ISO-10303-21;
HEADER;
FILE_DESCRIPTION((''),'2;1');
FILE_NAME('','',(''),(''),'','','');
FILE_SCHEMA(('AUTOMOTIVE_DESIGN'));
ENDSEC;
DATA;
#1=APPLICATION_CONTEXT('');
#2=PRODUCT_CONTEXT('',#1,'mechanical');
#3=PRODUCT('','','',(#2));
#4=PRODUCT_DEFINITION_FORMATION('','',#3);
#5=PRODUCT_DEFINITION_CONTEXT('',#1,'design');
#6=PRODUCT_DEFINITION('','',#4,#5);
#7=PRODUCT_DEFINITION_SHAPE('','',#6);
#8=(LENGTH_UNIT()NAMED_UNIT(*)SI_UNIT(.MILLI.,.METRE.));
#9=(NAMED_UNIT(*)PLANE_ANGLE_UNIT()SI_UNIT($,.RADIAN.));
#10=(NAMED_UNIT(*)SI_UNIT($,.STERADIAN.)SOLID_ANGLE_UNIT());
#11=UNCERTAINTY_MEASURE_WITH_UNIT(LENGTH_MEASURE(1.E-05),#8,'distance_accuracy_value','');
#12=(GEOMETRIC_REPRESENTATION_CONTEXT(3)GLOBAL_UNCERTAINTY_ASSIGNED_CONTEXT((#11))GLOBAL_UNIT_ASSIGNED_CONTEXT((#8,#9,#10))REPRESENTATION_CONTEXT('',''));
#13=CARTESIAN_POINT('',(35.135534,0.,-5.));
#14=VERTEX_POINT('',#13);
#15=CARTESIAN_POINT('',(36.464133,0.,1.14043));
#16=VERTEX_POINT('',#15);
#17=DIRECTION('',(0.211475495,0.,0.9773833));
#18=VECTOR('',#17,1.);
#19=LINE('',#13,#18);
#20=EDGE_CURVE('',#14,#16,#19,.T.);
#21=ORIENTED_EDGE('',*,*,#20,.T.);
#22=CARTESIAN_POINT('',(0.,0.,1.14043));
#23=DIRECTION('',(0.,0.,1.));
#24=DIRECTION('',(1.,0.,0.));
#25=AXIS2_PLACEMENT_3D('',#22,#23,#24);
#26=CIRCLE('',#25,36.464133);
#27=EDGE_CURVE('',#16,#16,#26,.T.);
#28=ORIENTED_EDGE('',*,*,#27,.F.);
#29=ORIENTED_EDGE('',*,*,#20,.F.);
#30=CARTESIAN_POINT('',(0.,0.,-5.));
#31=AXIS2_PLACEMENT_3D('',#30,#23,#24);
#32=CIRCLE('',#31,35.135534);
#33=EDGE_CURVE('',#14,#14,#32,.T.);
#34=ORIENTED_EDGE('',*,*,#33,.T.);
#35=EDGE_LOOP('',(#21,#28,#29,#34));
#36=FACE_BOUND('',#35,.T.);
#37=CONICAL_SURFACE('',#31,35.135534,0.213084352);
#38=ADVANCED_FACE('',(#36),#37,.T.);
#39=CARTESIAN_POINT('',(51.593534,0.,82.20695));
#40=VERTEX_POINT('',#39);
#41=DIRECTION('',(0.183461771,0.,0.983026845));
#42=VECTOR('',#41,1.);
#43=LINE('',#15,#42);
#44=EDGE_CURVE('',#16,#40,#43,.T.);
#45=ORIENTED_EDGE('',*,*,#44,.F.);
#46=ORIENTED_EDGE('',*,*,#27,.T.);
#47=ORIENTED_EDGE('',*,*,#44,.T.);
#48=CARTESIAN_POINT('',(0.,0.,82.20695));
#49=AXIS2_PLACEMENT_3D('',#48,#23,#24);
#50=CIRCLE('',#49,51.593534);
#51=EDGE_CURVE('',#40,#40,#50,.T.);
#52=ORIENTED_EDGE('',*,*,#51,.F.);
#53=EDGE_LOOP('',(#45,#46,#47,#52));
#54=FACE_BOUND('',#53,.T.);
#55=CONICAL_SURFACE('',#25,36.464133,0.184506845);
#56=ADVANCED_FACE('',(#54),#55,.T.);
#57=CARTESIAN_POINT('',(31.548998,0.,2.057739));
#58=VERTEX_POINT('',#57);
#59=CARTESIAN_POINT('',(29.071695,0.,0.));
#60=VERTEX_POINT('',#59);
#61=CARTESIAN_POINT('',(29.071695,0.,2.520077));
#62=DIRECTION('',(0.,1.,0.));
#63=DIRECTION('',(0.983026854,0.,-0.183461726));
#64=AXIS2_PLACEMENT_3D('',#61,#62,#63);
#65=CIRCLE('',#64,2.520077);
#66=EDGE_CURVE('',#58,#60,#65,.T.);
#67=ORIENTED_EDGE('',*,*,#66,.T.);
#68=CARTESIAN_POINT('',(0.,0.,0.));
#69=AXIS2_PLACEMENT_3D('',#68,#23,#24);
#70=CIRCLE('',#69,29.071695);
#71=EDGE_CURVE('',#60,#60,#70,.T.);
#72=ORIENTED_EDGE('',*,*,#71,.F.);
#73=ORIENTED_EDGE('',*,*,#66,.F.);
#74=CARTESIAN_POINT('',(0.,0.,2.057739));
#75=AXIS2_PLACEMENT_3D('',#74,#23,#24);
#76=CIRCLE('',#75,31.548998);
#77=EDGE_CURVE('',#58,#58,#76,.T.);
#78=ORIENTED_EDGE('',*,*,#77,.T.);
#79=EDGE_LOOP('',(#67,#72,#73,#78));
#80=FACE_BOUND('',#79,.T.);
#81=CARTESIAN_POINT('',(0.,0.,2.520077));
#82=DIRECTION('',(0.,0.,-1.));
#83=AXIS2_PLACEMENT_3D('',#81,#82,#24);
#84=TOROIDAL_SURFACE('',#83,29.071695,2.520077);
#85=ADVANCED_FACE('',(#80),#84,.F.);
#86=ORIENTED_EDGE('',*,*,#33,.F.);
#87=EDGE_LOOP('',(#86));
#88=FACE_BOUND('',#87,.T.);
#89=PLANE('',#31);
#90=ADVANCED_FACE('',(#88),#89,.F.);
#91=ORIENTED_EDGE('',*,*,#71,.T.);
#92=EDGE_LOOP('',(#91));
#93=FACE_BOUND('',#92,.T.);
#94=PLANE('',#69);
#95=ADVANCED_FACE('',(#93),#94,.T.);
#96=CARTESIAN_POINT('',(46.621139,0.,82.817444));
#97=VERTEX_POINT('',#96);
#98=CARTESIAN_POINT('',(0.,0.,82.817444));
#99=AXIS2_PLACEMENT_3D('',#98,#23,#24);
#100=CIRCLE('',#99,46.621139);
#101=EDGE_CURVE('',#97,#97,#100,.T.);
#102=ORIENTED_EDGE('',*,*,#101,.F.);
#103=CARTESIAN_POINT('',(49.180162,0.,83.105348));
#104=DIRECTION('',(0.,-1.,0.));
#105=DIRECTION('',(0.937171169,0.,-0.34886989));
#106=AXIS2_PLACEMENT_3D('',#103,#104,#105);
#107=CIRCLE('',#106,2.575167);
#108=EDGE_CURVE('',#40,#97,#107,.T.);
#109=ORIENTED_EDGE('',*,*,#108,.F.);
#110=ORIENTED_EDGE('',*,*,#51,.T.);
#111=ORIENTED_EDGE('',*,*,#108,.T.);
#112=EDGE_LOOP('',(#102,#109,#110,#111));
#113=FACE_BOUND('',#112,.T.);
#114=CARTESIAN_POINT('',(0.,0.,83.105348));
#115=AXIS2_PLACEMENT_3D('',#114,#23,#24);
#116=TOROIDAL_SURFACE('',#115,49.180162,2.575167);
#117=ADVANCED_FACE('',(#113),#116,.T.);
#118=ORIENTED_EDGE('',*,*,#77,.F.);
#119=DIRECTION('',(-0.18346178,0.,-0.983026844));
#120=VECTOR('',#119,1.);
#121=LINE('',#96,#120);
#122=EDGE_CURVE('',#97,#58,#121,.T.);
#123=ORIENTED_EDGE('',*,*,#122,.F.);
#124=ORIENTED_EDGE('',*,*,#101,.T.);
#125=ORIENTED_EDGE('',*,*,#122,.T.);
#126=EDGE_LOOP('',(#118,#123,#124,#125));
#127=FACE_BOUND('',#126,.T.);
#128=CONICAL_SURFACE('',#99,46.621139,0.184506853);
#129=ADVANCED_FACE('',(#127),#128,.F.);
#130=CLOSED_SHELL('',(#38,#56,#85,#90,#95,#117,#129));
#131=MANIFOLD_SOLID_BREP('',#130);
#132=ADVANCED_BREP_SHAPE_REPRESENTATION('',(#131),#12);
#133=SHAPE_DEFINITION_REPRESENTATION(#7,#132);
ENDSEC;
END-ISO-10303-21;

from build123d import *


with BuildPart() as f1:
    # F0 (on Front) → F1 (revolve)
    with BuildSketch(Plane.XZ):
        with BuildLine():
            Line((29.071695, 0), (0, 0))
            Line((0, 0), (0, -5))
            Line((0, -5), (29.071695, -5))
            Line((29.071695, -5), (35.135534, -5))
            Line((35.135534, -5), (36.464133, 1.14043))
            Line((36.464133, 1.14043), (51.593534, 82.20695))
            ThreePointArc((51.593534, 82.20695), (49.493975, 85.661323), (46.621139, 82.817444))
            Line((46.621139, 82.817444), (31.548998, 2.057739))
            ThreePointArc((31.548998, 2.057739), (30.681922, 0.581532), (29.071695, 0))
        make_face()
    revolve(axis=Axis((0, 0, -2.5), (0, 0, 1)))


solid = f1.part
